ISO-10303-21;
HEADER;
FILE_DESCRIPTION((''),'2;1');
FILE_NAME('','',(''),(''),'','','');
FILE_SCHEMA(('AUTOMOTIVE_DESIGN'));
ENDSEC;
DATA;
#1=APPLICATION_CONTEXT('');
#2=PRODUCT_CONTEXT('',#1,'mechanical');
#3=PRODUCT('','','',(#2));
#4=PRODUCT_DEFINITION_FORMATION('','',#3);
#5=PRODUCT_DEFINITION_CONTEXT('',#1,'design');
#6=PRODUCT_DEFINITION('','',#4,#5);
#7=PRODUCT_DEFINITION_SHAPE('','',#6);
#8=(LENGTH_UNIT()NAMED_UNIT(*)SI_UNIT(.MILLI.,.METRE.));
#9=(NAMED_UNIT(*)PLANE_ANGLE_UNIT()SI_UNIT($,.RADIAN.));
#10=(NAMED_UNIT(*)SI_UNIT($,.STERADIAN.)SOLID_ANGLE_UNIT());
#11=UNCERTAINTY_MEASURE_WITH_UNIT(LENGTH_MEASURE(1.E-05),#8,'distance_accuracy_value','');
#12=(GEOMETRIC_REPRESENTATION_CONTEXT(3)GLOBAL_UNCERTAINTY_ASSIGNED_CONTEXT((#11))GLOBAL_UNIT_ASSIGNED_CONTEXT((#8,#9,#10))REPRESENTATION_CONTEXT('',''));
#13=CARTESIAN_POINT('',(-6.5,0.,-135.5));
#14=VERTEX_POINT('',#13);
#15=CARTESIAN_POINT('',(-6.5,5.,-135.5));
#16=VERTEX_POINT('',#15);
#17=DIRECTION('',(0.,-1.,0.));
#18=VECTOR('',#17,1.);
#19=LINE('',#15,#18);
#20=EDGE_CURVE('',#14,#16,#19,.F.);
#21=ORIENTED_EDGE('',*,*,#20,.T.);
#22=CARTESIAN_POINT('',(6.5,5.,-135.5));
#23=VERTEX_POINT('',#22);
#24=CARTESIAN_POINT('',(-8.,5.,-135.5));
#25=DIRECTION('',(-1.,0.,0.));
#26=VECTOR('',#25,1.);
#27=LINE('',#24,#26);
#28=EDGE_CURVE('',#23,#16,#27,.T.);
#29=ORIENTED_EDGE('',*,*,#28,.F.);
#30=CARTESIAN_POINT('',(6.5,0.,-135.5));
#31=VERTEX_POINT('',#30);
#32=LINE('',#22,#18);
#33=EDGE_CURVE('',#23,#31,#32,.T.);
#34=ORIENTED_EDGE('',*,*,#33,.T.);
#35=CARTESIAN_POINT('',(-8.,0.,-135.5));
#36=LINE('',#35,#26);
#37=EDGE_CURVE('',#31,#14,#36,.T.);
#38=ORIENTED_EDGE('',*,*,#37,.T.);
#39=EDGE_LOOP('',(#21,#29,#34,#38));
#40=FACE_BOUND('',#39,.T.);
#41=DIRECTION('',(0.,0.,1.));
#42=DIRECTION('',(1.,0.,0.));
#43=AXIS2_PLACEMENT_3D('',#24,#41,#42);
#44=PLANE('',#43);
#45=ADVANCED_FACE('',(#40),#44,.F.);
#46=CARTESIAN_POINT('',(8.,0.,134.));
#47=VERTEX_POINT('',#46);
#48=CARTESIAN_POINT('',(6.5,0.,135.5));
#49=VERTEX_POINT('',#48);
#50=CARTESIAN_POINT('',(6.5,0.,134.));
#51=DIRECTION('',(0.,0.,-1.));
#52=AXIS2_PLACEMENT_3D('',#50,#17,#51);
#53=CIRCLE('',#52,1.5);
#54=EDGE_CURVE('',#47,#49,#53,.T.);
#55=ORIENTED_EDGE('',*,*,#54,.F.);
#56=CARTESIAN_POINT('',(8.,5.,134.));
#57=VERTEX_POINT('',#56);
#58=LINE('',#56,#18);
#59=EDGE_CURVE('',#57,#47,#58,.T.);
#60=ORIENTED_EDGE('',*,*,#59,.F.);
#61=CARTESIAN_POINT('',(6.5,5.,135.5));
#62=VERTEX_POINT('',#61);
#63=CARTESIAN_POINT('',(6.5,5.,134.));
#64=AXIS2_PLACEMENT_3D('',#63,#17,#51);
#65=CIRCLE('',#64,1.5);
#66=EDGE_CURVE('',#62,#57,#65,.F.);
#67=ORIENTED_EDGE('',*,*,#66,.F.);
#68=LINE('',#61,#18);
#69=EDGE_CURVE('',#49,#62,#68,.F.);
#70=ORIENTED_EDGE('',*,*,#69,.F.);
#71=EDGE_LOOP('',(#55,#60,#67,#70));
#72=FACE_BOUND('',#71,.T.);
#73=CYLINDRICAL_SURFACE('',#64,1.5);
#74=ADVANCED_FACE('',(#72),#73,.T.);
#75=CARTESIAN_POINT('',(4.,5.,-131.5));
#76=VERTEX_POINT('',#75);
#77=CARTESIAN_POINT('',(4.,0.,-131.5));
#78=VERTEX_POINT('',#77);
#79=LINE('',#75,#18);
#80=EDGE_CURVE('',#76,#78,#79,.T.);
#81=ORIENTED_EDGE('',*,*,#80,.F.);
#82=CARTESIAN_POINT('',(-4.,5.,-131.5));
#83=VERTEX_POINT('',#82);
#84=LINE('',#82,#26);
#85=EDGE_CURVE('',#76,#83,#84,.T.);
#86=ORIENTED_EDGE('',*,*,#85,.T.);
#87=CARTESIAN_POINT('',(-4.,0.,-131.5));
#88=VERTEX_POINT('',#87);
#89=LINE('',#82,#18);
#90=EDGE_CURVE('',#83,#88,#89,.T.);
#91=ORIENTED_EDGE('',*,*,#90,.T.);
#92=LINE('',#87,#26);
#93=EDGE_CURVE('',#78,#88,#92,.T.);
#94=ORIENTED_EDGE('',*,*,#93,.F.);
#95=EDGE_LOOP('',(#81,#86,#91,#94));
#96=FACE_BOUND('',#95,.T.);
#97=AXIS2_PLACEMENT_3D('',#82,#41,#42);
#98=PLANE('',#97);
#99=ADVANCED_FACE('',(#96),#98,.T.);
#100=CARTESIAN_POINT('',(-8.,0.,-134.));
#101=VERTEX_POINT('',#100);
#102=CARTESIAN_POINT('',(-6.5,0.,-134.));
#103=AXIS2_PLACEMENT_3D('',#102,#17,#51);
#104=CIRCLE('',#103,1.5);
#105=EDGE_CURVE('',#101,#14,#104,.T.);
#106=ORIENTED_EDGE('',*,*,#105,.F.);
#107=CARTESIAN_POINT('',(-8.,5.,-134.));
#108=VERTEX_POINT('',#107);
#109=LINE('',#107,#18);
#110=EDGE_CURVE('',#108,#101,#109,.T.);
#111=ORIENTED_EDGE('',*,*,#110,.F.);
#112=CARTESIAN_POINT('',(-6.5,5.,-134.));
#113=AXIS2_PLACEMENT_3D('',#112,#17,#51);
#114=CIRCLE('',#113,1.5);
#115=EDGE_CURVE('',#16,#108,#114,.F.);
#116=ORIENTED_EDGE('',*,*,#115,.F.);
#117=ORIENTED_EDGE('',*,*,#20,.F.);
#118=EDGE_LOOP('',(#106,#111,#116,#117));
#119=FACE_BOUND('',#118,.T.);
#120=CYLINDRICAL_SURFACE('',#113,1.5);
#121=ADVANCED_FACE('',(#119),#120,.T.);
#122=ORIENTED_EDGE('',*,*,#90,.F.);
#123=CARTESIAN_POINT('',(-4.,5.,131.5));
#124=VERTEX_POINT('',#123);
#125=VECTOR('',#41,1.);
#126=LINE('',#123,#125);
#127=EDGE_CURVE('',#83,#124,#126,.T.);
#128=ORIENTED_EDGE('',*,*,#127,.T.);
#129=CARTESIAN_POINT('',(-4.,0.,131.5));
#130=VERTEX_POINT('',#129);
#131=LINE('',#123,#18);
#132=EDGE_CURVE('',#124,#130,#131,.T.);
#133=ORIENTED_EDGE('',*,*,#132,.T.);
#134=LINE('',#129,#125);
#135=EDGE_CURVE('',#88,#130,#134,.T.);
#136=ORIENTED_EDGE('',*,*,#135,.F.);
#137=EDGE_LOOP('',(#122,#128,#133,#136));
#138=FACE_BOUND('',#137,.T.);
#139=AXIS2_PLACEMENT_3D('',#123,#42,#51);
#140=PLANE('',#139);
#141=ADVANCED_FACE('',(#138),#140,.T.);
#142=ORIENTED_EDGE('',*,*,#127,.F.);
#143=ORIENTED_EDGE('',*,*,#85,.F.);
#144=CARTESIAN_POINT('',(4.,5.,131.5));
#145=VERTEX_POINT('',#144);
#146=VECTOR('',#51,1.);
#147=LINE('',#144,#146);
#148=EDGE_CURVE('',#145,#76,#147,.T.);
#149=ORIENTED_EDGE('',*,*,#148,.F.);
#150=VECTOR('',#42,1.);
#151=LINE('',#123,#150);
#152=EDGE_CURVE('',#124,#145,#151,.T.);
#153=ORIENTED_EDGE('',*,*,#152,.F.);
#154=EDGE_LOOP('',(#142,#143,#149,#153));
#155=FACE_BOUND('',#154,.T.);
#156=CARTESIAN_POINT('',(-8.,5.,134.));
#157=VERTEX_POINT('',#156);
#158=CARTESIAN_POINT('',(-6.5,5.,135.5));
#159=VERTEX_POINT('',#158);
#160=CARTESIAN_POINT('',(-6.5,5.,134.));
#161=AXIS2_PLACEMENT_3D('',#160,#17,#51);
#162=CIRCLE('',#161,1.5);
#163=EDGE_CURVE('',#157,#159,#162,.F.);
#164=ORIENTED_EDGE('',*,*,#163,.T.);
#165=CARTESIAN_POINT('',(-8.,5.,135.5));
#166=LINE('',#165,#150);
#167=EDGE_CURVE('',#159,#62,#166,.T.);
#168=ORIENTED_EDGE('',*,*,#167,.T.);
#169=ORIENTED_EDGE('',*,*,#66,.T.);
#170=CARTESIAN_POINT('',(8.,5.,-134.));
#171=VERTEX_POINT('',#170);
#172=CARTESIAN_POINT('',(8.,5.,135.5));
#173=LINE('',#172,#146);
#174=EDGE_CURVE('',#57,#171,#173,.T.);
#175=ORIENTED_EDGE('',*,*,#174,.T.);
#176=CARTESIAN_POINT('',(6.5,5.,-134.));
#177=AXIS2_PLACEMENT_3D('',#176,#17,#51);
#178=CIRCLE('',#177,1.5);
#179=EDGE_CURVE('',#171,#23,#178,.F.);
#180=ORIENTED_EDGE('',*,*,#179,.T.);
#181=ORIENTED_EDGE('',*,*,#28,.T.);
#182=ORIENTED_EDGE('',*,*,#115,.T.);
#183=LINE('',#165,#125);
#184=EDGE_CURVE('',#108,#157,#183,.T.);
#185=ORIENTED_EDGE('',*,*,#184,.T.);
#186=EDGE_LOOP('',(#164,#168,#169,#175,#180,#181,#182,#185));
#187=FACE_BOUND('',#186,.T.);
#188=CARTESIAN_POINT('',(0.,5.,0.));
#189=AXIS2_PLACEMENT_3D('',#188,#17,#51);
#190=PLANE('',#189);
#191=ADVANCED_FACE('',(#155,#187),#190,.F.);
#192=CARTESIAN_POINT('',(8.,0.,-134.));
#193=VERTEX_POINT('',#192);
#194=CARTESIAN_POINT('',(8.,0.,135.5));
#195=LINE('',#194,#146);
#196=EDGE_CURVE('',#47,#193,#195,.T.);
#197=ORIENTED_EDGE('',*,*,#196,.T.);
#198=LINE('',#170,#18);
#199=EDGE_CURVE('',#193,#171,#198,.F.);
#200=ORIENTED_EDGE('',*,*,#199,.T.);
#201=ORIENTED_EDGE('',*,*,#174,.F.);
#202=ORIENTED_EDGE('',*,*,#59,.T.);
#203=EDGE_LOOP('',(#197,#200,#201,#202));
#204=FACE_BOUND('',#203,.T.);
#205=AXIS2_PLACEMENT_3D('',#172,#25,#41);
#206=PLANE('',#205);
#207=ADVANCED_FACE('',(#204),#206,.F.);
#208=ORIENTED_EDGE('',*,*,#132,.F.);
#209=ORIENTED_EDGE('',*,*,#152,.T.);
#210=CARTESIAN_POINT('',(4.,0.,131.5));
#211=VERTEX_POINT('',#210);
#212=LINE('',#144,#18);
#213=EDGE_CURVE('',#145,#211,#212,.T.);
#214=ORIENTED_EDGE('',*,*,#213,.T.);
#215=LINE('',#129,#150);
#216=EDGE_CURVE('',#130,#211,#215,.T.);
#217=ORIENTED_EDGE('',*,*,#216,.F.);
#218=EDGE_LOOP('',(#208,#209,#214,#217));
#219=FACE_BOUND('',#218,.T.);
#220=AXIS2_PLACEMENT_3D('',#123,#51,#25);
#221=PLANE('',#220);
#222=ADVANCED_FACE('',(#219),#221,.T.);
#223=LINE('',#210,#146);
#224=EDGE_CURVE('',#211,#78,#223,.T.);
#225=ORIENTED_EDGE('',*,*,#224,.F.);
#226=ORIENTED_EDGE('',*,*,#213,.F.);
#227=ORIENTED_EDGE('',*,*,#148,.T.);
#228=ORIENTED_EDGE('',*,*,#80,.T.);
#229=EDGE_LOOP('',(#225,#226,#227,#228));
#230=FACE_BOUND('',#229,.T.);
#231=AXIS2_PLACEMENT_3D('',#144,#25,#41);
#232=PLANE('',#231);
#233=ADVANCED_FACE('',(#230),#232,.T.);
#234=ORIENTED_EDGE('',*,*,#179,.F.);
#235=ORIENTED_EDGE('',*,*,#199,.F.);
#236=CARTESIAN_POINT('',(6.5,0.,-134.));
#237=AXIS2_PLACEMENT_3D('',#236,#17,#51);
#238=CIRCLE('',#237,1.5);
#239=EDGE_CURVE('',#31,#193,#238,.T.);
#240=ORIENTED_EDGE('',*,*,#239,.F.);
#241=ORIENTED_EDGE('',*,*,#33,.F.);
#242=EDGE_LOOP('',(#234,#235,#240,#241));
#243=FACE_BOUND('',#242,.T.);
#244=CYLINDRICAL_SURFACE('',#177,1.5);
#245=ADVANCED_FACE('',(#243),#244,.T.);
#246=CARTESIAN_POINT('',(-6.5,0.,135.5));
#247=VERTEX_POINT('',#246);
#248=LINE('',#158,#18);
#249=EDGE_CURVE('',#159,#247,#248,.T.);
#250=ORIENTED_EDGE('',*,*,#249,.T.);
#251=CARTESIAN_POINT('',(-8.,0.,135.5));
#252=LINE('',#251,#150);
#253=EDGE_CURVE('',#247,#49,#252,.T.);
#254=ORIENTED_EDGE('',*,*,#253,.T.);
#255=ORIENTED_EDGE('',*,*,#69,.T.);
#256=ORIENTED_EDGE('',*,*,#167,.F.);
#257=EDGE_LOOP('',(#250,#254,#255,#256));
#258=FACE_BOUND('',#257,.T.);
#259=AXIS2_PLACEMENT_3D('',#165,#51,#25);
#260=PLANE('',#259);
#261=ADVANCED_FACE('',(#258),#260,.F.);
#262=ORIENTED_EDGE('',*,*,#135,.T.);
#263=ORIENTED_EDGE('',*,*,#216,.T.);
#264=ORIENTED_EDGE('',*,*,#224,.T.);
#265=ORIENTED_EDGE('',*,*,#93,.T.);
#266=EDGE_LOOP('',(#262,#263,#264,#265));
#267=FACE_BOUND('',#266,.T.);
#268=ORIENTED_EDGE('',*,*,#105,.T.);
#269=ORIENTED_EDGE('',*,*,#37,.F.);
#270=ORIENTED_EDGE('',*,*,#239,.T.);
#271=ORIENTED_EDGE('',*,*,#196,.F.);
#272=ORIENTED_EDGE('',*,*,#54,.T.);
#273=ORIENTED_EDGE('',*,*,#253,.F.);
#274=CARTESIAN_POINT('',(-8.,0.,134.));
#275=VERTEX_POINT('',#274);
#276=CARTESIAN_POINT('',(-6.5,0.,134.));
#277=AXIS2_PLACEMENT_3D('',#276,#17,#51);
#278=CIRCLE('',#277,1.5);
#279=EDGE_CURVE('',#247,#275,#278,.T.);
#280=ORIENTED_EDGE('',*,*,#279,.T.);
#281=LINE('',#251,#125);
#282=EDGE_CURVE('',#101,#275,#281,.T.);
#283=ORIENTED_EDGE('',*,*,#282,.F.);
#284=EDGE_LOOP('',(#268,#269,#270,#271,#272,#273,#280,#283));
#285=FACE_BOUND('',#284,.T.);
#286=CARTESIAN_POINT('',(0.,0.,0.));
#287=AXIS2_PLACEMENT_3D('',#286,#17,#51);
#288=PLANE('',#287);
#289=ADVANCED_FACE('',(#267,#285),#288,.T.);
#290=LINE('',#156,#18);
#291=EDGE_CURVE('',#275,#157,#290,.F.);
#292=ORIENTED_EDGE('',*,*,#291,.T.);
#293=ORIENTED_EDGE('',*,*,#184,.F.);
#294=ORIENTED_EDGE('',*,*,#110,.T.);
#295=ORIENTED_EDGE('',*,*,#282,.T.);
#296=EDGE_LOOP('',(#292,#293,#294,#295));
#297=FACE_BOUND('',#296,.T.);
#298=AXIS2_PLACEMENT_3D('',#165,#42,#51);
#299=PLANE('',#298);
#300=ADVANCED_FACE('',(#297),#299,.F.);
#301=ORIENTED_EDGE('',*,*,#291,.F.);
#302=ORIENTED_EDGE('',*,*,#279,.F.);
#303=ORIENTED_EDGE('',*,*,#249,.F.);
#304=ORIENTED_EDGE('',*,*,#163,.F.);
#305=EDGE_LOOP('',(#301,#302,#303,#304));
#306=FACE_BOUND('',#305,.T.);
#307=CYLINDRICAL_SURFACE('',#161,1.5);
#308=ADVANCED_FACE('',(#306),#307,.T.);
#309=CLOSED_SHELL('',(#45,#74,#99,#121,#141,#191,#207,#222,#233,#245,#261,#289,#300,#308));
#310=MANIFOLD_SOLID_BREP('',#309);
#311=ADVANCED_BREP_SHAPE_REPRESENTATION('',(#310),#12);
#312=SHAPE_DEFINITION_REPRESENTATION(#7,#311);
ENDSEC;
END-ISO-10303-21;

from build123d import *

# Parameters (mm, degrees)
SKETCH1_W           = 16
SKETCH1_H           = 271
SKETCH1_W_2         = 8
SKETCH1_H_2         = 263
BOSS_EXTRUDE1_DEPTH = 5
FILLET1_R           = 1.5


with BuildPart() as part:
    # Sketch1 → Boss-Extrude1 (new body)
    with BuildSketch(Plane(origin=(0, 0, 0), x_dir=(1, 0, 0), z_dir=(0, 1, 0))):
        Rectangle(SKETCH1_W, SKETCH1_H)
        Rectangle(SKETCH1_W_2, SKETCH1_H_2, mode=Mode.SUBTRACT)
    extrude(amount=BOSS_EXTRUDE1_DEPTH)

    # Fillet1
    fillet1_edges = [part.edges().sort_by_distance(p)[0] for p in [
        (8, 2.5, 135.5),
        (-8, 2.5, 135.5),
        (-8, 2.5, -135.5),
        (8, 2.5, -135.5),
    ]]
    fillet(fillet1_edges, radius=FILLET1_R)


solid = part.part
